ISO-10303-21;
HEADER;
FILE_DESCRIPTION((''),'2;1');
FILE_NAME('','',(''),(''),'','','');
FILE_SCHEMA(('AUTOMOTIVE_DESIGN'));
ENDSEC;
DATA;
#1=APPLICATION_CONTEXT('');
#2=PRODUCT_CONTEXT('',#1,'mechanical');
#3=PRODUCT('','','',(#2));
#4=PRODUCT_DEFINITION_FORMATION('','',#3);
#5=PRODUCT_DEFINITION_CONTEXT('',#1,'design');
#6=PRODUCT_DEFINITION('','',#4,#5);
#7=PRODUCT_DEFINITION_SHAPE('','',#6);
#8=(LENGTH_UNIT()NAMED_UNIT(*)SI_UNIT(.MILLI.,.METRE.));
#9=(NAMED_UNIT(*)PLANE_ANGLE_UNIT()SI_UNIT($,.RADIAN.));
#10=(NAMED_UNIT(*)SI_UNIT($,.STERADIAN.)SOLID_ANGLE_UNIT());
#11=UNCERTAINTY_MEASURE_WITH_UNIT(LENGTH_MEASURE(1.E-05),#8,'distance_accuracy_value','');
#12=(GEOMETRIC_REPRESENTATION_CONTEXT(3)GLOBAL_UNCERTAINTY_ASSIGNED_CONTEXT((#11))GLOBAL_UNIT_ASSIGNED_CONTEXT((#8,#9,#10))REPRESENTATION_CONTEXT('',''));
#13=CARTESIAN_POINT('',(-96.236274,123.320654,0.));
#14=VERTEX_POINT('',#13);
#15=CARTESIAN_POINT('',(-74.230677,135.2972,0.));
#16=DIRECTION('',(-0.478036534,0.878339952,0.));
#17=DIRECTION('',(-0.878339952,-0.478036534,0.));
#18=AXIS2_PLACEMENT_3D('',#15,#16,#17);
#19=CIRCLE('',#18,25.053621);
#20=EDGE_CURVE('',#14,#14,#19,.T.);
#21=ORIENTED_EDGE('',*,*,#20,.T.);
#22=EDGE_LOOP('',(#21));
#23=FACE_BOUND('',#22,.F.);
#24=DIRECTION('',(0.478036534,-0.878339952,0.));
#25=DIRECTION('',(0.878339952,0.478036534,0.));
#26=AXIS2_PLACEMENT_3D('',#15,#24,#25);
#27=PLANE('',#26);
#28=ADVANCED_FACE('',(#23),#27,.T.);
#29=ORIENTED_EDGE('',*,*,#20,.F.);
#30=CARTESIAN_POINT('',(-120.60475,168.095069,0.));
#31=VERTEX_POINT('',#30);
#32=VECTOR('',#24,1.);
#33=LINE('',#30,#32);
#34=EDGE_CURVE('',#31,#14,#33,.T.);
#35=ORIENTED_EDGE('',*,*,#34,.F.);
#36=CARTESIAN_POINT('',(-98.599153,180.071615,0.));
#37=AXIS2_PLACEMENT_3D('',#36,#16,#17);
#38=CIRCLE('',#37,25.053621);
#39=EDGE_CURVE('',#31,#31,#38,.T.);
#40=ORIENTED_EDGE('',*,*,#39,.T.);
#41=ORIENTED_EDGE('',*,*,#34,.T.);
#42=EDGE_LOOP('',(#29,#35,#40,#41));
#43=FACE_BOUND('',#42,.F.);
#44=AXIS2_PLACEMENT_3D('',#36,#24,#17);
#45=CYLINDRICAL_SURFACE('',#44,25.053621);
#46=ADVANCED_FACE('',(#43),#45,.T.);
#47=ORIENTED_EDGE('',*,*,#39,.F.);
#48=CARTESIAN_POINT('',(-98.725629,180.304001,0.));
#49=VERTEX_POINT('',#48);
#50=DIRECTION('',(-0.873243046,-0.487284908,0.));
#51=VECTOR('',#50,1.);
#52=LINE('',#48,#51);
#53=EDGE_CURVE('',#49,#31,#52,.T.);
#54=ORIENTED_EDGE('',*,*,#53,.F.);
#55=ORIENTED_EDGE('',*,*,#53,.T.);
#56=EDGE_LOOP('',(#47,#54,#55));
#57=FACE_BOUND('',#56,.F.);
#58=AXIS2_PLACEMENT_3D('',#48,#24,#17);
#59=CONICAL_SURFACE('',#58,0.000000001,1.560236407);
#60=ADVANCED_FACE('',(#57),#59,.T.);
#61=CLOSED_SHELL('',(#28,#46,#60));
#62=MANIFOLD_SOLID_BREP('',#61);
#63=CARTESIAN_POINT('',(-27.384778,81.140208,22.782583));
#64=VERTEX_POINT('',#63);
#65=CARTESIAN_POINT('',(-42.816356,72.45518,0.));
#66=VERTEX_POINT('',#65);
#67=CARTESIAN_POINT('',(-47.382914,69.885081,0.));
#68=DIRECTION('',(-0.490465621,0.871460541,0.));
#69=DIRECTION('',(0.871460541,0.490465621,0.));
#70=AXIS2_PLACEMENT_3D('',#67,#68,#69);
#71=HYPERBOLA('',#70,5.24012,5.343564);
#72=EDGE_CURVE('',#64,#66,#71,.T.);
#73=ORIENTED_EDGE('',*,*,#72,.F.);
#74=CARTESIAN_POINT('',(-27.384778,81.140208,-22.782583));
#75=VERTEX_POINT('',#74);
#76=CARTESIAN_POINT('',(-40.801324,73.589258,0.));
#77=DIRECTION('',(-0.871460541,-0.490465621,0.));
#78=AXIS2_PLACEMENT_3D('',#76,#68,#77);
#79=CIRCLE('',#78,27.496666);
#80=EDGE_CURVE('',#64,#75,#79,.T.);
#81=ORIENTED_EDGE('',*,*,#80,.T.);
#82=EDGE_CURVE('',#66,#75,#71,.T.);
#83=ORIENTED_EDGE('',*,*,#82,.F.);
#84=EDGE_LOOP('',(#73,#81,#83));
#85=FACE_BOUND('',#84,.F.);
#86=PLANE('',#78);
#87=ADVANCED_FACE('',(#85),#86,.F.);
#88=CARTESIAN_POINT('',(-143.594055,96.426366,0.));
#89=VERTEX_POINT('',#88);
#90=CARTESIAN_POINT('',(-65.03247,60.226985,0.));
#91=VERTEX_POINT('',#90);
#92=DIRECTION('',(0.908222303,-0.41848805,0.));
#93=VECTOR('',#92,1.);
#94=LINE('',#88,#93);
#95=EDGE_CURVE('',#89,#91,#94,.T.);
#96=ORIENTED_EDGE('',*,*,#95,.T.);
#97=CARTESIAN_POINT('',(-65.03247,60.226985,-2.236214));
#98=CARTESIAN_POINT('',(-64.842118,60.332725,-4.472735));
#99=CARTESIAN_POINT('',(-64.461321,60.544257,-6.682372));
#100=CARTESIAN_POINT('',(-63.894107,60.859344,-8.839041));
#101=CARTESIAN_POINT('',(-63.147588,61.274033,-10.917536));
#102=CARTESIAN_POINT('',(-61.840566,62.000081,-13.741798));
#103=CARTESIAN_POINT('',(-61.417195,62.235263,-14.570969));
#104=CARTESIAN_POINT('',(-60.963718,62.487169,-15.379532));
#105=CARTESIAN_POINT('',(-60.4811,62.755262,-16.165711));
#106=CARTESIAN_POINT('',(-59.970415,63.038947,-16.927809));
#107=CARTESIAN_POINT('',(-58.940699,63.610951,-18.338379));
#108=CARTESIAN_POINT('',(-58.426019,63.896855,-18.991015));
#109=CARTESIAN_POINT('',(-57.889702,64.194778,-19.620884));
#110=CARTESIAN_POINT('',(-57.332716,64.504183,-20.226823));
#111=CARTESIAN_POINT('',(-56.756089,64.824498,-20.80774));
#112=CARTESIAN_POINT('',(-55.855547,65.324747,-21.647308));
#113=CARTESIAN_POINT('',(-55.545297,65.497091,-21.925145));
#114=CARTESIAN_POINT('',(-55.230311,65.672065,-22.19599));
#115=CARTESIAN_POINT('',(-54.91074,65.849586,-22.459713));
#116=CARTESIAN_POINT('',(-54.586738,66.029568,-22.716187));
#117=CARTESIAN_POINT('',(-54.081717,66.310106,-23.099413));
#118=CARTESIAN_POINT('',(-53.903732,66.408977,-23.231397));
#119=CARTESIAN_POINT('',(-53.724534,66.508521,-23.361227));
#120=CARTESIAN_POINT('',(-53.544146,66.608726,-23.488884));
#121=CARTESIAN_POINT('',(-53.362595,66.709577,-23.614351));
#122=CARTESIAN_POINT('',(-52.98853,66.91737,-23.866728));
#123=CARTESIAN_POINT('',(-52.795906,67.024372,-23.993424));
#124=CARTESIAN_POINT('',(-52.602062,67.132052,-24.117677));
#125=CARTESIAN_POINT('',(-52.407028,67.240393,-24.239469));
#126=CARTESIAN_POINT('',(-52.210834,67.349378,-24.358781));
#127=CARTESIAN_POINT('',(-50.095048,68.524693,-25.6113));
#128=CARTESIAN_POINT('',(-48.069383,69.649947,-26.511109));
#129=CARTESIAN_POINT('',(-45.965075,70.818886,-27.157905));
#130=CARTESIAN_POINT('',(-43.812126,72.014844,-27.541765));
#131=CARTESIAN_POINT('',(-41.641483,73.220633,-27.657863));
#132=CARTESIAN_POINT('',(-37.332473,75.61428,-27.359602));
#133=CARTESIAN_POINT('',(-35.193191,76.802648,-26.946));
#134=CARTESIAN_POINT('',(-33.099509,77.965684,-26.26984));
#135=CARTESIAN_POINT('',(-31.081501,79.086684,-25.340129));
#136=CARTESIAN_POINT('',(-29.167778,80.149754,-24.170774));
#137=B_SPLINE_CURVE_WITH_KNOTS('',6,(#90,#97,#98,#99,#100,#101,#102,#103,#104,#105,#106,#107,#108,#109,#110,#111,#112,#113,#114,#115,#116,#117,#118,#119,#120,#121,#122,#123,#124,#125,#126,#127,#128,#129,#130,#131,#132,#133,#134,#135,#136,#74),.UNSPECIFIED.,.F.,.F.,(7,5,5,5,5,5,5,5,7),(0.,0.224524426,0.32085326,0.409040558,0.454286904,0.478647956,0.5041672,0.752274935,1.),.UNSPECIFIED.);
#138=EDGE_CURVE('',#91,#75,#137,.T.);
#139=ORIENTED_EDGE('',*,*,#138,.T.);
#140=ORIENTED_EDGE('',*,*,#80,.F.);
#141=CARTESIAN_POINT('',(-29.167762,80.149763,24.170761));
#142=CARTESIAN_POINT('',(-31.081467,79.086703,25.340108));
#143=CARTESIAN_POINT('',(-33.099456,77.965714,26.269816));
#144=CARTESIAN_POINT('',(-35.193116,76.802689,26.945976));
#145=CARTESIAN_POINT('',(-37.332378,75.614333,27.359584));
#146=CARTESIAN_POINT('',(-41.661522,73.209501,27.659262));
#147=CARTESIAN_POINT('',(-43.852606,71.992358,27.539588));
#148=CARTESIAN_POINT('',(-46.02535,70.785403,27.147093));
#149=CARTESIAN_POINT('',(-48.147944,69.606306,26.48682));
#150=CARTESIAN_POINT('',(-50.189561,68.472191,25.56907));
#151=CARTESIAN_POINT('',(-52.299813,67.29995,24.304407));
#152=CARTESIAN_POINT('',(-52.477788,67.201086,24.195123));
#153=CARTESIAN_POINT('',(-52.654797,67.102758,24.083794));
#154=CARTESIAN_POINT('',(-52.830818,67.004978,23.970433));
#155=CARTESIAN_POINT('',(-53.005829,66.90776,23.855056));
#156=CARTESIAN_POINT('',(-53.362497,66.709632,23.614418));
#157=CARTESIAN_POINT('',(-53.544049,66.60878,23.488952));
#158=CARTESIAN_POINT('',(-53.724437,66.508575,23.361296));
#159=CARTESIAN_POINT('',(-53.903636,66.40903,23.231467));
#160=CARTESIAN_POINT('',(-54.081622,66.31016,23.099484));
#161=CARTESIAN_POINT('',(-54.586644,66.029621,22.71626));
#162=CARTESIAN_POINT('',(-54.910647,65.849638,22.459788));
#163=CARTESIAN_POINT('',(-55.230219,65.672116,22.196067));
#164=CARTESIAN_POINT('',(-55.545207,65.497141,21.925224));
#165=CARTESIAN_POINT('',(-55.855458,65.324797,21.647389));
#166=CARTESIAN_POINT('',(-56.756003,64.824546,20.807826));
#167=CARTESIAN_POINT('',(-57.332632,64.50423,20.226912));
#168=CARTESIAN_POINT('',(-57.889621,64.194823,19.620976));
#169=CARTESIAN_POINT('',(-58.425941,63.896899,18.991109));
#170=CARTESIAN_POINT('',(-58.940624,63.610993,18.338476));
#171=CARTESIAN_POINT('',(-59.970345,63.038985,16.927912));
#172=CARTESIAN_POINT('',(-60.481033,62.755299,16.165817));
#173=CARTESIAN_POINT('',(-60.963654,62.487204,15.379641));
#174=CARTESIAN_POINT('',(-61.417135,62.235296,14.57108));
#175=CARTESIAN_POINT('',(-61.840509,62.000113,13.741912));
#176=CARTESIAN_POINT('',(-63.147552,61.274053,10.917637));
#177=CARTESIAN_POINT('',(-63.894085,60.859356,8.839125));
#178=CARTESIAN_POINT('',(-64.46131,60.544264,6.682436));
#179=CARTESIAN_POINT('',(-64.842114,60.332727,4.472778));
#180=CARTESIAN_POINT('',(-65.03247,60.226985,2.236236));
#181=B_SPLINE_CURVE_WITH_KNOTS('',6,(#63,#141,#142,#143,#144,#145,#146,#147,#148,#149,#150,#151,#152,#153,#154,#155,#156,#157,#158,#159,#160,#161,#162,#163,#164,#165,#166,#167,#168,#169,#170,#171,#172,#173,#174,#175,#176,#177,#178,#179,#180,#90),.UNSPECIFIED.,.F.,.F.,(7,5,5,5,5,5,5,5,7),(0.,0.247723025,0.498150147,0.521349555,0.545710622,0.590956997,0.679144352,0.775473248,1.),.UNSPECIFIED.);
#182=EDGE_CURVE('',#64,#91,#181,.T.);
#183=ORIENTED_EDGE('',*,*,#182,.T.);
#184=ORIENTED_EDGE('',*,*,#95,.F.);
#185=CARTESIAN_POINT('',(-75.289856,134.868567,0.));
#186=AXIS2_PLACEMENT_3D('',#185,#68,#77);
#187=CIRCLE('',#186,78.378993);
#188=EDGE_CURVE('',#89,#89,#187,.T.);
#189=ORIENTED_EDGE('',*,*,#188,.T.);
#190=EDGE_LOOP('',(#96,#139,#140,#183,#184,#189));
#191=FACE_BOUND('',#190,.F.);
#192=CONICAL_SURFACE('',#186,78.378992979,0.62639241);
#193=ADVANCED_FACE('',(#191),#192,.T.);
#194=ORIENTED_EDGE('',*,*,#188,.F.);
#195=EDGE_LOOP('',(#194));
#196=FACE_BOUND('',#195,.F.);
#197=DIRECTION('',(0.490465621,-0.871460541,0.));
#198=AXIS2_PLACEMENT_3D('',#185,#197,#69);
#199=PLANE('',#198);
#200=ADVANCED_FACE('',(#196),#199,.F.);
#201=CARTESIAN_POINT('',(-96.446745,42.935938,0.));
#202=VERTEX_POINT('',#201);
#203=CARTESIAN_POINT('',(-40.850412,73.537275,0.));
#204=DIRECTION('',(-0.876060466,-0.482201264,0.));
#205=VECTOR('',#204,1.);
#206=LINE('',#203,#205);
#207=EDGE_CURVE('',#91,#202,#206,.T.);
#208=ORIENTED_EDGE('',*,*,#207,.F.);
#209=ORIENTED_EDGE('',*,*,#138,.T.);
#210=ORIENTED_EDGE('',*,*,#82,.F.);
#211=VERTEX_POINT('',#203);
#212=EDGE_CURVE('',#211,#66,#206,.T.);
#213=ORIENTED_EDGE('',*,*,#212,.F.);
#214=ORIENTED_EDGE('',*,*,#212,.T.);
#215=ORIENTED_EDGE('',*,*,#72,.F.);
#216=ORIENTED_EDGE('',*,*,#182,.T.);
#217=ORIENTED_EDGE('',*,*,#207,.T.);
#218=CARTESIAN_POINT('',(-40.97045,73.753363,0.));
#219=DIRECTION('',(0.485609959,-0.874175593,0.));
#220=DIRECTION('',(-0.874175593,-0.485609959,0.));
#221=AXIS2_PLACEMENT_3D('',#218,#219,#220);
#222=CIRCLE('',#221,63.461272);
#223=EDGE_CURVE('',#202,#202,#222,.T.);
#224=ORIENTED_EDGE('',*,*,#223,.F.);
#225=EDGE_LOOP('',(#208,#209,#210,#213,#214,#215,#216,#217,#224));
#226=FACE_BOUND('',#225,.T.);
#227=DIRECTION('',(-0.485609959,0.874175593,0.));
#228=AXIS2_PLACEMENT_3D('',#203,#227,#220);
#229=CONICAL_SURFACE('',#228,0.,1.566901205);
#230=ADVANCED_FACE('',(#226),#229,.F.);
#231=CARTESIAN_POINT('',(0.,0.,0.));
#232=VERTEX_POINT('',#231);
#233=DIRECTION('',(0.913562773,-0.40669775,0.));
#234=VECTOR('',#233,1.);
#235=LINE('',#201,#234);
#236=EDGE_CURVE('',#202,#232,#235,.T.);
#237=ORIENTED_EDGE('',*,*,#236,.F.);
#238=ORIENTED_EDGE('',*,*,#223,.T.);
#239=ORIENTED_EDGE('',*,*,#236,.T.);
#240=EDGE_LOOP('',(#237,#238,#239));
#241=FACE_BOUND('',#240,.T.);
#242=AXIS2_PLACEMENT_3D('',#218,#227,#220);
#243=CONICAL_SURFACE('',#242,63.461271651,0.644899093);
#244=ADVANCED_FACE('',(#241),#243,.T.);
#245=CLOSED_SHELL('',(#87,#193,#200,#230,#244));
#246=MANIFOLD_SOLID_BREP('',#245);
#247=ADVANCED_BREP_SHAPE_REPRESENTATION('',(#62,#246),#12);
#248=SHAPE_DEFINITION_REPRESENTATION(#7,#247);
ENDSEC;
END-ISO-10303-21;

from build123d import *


with BuildPart() as f1:
    # F0 (on Top) → F1 (revolve)
    with BuildSketch(Plane.XY):
        Polygon((-143.5940553443, 96.4263659024), (-64.7635832429, 60.1030886173), (-40.8013239503, 73.5892578959), (-75.2898557049, 134.8685673463), align=None)
    revolve(axis=Axis((-58.0455898276, 104.2289126211, 0), (-0.4904656207, 0.8714605412, 0)))

    # F4 (on Top) → F5 (revolve)
    with BuildSketch(Plane.XY):
        Polygon((0, 0), (-40.8504121006, 73.5372751951), (-96.4467450976, 42.9359376431), align=None)
    revolve(axis=Axis((-20.4252060503, 36.7686375976, 0), (0.4856099594, -0.874175593, 0)))


with BuildPart() as f3:
    # F2 (on Top) → F3 (revolve)
    with BuildSketch(Plane.XY):
        Polygon((-96.2362736464, 123.3206540346), (-74.2306772893, 135.2972002293), (-98.7256292395, 180.3040007409), (-120.6047495267, 168.0950685733), align=None)
    revolve(axis=Axis((-86.4781532644, 157.8006004851, 0), (-0.4780365342, 0.8783399524, 0)))


solid = Compound([f1.part, f3.part])
